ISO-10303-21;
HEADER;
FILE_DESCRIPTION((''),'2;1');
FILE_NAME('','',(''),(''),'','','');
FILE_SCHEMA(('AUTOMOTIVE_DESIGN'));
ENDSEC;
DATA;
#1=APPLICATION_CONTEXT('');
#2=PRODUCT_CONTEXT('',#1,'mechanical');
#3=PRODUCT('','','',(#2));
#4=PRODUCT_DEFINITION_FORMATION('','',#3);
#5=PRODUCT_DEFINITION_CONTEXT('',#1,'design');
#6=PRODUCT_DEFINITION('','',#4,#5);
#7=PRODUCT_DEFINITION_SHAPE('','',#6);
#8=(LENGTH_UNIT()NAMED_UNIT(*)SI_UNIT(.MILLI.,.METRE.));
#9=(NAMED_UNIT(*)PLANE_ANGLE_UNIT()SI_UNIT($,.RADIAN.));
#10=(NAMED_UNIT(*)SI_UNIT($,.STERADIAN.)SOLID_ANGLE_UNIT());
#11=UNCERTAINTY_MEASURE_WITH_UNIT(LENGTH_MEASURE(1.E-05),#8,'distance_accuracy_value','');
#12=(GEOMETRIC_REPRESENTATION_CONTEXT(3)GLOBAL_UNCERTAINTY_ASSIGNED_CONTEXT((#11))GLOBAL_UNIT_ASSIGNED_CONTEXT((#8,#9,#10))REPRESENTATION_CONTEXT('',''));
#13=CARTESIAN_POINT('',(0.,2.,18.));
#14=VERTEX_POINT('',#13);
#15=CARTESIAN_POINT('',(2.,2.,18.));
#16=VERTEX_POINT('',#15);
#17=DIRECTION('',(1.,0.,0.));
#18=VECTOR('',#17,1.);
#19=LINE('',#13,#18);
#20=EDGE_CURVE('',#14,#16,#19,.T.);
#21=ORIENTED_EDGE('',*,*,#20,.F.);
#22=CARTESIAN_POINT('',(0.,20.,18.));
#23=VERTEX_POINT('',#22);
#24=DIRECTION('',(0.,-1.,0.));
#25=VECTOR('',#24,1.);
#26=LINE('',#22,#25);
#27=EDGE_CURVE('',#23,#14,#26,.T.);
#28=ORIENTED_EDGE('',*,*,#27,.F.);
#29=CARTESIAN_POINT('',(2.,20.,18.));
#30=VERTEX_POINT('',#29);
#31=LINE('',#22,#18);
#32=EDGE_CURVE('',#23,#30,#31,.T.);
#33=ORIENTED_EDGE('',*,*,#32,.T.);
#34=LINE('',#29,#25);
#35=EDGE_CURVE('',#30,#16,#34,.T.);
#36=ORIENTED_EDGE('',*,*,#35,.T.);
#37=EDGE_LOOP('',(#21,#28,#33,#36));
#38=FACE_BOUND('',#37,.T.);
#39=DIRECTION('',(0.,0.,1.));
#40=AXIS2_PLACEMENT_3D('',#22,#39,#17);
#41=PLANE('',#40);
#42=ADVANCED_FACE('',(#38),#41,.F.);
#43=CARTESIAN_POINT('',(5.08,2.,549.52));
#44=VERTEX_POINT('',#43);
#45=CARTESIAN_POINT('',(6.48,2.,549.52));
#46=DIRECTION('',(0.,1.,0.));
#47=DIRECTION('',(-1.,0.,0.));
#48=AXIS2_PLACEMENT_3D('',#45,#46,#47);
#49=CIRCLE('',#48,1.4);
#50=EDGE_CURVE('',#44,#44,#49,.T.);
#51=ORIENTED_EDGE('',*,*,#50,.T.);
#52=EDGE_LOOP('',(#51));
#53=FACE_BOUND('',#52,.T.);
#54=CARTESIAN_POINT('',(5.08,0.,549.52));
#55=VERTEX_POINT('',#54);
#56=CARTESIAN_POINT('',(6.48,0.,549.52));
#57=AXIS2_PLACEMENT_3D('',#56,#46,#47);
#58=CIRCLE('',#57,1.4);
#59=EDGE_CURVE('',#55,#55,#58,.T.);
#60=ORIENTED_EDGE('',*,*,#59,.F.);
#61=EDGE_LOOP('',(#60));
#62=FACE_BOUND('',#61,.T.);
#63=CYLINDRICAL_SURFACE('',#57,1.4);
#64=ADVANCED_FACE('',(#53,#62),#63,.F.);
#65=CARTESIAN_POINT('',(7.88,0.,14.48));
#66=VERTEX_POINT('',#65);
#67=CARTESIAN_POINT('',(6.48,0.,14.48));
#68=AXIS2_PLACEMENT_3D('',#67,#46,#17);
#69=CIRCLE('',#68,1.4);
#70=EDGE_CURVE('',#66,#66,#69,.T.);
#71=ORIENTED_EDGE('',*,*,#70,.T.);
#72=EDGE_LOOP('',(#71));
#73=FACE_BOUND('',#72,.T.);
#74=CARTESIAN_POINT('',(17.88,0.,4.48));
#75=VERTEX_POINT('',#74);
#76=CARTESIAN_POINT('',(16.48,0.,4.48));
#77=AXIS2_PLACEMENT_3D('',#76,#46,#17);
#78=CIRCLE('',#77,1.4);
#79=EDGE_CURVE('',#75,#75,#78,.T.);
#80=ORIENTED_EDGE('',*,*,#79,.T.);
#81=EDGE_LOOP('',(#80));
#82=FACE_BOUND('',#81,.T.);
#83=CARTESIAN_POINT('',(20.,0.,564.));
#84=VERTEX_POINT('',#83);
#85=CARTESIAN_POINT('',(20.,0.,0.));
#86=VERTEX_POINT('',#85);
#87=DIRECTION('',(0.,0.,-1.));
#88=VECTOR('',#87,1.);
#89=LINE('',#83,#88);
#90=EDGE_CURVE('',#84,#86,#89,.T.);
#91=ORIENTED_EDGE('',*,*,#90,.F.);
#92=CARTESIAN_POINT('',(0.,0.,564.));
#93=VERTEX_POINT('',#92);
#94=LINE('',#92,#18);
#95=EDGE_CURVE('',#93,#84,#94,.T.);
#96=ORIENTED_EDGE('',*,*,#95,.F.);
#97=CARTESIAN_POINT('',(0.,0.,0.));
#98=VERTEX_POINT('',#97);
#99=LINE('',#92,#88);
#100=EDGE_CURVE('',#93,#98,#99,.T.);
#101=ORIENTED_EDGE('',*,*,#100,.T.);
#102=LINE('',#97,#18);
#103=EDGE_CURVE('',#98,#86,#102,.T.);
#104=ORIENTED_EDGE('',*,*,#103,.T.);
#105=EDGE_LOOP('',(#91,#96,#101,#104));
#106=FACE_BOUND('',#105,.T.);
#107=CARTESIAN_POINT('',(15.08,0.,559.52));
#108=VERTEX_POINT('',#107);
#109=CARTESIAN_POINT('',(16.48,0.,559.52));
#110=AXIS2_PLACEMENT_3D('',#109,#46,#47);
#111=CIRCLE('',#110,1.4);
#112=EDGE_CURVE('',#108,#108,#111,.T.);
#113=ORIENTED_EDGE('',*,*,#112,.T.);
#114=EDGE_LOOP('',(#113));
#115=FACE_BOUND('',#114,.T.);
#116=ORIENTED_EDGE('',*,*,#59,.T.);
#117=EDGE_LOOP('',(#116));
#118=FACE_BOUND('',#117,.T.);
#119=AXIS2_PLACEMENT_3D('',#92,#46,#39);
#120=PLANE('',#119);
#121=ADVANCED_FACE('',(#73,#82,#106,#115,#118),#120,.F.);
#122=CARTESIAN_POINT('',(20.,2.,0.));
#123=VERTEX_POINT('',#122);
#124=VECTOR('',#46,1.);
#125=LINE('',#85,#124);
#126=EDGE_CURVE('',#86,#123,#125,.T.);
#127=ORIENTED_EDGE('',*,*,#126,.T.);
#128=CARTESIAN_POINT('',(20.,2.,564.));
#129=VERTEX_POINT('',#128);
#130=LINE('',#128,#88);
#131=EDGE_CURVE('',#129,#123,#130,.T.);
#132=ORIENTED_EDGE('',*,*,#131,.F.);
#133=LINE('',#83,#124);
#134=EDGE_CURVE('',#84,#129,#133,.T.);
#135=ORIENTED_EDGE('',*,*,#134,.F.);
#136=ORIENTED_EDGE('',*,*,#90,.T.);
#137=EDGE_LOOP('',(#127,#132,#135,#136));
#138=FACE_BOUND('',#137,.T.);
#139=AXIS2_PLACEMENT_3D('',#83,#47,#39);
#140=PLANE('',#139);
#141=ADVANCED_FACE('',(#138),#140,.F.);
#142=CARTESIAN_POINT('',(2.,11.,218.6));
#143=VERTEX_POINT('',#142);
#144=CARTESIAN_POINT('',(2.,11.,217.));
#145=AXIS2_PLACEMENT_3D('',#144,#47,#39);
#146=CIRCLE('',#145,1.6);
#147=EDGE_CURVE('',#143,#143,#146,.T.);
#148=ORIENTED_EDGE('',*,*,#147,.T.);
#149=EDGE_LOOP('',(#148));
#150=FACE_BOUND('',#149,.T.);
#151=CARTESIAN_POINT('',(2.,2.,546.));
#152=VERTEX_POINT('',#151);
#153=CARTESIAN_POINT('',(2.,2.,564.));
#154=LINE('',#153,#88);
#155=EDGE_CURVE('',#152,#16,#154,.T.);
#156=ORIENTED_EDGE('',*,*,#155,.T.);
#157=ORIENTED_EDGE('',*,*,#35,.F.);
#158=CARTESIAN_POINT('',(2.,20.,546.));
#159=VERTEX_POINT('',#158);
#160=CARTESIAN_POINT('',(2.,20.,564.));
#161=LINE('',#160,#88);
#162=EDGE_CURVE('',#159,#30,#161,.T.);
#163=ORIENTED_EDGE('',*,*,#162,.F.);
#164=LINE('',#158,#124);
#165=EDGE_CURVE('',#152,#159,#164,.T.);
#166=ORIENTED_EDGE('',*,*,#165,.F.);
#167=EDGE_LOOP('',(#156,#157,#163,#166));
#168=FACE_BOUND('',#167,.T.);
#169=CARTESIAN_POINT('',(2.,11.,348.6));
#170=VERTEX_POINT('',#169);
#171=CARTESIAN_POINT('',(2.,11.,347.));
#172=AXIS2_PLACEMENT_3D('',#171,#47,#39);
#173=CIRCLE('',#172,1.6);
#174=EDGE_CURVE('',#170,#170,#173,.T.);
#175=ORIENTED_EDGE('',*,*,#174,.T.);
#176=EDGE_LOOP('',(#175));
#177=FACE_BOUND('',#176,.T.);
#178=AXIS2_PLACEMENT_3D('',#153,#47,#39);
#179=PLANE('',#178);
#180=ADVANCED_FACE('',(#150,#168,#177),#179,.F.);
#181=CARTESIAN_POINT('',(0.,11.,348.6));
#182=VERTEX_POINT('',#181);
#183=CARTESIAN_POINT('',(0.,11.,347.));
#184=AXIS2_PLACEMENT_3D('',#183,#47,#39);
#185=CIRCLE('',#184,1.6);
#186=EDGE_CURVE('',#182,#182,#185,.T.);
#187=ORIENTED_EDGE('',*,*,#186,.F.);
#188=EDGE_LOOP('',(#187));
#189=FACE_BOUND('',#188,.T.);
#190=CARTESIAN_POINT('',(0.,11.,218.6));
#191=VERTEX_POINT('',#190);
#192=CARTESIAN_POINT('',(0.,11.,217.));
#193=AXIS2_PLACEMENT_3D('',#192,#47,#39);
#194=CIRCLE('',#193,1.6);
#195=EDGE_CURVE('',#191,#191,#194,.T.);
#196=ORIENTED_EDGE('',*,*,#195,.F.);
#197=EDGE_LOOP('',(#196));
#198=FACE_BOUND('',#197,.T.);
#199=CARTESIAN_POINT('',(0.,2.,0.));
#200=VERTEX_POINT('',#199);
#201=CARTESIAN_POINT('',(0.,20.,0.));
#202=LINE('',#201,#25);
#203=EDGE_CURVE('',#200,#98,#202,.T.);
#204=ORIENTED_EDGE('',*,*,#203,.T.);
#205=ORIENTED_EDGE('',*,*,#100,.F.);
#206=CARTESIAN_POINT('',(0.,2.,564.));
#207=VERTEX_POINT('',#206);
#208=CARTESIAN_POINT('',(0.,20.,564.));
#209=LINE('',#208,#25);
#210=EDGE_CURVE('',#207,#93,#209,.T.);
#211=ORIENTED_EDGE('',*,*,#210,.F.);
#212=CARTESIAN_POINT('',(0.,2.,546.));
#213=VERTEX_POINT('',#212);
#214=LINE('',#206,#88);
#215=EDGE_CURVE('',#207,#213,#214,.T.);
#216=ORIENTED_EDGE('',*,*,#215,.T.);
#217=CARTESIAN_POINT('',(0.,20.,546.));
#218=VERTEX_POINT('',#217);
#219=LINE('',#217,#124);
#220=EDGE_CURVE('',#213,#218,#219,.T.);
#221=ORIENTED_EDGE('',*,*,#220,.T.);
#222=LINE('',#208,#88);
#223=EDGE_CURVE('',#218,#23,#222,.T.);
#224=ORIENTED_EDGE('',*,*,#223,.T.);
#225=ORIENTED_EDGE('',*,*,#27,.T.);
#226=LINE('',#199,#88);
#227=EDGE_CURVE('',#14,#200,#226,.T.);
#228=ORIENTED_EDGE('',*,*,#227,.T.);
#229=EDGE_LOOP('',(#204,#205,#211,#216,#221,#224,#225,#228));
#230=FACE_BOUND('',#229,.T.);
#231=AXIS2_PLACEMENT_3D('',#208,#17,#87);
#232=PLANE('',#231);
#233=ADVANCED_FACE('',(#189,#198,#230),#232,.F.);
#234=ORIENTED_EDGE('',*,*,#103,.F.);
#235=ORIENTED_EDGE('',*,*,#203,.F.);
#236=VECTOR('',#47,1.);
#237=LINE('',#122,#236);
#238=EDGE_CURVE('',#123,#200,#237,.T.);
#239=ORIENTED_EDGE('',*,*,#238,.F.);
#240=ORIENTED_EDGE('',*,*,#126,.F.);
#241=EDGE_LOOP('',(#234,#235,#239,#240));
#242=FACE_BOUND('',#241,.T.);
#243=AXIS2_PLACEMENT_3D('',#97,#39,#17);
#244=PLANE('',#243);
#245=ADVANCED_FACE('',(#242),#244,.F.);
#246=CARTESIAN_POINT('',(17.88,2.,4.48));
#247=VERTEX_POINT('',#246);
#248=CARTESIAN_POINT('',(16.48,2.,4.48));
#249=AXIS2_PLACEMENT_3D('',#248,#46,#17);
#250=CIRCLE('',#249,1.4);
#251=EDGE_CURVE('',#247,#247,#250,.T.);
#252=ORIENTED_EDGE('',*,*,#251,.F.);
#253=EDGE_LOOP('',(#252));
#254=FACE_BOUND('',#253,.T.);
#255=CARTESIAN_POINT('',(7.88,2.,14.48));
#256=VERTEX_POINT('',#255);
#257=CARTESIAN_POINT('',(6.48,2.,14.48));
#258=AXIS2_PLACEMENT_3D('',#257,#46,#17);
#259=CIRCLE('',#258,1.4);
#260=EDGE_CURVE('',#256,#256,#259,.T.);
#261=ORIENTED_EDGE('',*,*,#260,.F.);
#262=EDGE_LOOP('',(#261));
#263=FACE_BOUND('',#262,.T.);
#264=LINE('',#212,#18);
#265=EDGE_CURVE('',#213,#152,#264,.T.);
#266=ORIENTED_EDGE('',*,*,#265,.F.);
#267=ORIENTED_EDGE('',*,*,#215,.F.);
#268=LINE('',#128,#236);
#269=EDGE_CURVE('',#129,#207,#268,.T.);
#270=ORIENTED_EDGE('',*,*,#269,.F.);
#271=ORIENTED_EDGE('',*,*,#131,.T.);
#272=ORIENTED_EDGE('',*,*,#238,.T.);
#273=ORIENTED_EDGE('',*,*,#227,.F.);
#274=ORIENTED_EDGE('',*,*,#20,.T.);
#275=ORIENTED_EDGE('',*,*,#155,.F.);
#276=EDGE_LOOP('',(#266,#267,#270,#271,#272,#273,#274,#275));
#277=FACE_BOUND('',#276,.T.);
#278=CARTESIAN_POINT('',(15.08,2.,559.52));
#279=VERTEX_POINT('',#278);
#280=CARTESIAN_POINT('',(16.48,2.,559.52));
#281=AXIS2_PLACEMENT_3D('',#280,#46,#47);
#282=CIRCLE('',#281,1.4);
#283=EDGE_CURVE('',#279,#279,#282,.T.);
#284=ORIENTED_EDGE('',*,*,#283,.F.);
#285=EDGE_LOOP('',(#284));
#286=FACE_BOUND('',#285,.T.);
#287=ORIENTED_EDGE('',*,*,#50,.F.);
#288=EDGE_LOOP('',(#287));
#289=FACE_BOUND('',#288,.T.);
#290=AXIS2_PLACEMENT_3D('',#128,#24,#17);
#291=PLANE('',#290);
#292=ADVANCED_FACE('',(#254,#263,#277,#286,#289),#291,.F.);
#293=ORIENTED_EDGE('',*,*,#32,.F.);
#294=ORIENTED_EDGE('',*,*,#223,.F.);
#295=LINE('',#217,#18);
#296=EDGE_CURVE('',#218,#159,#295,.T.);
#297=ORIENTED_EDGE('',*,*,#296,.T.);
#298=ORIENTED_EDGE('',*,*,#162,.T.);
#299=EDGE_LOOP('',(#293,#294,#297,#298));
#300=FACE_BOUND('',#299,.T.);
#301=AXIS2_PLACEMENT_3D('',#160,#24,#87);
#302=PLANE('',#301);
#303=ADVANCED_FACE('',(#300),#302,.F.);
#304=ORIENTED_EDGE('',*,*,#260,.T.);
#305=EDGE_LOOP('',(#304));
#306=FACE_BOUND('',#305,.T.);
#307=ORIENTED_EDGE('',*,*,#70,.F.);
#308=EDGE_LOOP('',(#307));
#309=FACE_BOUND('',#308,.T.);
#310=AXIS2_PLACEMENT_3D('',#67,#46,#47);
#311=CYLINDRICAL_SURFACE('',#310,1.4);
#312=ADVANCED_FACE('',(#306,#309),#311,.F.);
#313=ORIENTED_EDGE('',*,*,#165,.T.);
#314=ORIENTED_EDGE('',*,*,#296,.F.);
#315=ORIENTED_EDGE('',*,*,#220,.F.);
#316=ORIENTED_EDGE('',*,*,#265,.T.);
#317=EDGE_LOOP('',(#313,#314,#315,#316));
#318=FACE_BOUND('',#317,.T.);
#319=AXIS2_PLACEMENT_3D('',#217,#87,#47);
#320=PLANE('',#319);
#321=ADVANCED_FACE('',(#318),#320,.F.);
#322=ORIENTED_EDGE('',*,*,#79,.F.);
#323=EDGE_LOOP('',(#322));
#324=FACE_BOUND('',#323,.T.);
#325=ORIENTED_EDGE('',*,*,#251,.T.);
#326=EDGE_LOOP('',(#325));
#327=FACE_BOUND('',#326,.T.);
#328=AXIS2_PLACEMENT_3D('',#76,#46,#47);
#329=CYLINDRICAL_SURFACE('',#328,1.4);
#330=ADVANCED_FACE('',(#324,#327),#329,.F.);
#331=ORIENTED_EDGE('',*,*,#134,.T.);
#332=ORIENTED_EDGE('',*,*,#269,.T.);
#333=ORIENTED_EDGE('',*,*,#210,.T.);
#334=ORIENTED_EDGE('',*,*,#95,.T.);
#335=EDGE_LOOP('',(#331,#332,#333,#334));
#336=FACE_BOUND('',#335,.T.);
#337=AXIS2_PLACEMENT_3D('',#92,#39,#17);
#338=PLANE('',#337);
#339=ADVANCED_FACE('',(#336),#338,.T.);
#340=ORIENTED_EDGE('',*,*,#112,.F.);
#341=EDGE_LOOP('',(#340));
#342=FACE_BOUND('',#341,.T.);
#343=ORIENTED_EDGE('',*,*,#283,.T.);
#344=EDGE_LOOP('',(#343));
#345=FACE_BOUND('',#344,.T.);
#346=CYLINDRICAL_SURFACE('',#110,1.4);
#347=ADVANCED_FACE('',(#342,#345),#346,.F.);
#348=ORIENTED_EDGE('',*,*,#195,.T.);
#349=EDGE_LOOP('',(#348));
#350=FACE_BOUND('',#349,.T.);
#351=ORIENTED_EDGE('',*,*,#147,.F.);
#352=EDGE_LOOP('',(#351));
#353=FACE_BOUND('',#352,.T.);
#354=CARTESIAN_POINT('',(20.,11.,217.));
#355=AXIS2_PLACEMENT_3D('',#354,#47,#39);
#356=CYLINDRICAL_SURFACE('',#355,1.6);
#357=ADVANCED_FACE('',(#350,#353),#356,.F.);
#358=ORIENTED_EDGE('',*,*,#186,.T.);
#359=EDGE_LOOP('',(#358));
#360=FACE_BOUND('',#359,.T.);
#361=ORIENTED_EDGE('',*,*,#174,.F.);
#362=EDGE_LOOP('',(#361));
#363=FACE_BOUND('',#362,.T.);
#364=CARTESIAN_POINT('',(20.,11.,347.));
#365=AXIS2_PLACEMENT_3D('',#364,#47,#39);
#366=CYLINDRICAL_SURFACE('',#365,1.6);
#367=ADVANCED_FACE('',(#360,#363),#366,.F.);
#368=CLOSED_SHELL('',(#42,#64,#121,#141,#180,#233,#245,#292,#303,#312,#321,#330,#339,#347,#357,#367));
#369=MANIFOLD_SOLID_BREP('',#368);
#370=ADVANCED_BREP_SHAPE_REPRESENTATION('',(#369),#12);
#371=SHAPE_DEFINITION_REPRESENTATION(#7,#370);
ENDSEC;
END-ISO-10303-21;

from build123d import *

# Parameters (mm, degrees)
BOSS_EXTRU_1_DEPTH      = 564
ESQUISSE2_W             = 18
ESQUISSE2_H             = 18
ENL_V_MAT_EXTRU_1_DEPTH = 3
ESQUISSE6_R             = 1.4
ENL_V_MAT_EXTRU_5_DEPTH = 3
SKETCH1_R               = 1.6
CUT_EXTRUDE1_DEPTH      = 21


with BuildPart() as part:
    # Esquisse1 → Boss.-Extru.1 (new body)
    with BuildSketch(Plane.XY):
        Polygon((0, 0), (20, 0), (20, 2), (2, 2), (2, 20), (0, 20), align=None)
    extrude(amount=BOSS_EXTRU_1_DEPTH)

    # Esquisse2 → Enlèv. mat.-Extru.1 (cut, through all)
    with BuildSketch(Plane(origin=(2, 0, 0), x_dir=(0, 0, -1), z_dir=(1, 0, 0))):
        with Locations((-555, 11)):
            Rectangle(ESQUISSE2_W, ESQUISSE2_H)
        with Locations((-9, 11)):
            Rectangle(ESQUISSE2_W, ESQUISSE2_H)
    extrude(amount=-ENL_V_MAT_EXTRU_1_DEPTH, mode=Mode.SUBTRACT)

    # Esquisse6 → Enlèv. mat.-Extru.5 (cut, through all)
    with BuildSketch(Plane(origin=(0, 2, 0), x_dir=(1, 0, 0), z_dir=(0, 1, 0))):
        with Locations((6.48, -549.52)):
            Circle(ESQUISSE6_R)
        with Locations((6.48, -14.48)):
            Circle(ESQUISSE6_R)
        with Locations((16.48, -559.52)):
            Circle(ESQUISSE6_R)
        with Locations((16.48, -4.48)):
            Circle(ESQUISSE6_R)
    extrude(amount=-ENL_V_MAT_EXTRU_5_DEPTH, mode=Mode.SUBTRACT)

    # Sketch1 → Cut-Extrude1 (cut, through all)
    with BuildSketch(Plane.ZY):
        with Locations((217, 11)):
            Circle(SKETCH1_R)
        with Locations((347, 11)):
            Circle(SKETCH1_R)
    extrude(amount=-CUT_EXTRUDE1_DEPTH, mode=Mode.SUBTRACT)


solid = part.part
